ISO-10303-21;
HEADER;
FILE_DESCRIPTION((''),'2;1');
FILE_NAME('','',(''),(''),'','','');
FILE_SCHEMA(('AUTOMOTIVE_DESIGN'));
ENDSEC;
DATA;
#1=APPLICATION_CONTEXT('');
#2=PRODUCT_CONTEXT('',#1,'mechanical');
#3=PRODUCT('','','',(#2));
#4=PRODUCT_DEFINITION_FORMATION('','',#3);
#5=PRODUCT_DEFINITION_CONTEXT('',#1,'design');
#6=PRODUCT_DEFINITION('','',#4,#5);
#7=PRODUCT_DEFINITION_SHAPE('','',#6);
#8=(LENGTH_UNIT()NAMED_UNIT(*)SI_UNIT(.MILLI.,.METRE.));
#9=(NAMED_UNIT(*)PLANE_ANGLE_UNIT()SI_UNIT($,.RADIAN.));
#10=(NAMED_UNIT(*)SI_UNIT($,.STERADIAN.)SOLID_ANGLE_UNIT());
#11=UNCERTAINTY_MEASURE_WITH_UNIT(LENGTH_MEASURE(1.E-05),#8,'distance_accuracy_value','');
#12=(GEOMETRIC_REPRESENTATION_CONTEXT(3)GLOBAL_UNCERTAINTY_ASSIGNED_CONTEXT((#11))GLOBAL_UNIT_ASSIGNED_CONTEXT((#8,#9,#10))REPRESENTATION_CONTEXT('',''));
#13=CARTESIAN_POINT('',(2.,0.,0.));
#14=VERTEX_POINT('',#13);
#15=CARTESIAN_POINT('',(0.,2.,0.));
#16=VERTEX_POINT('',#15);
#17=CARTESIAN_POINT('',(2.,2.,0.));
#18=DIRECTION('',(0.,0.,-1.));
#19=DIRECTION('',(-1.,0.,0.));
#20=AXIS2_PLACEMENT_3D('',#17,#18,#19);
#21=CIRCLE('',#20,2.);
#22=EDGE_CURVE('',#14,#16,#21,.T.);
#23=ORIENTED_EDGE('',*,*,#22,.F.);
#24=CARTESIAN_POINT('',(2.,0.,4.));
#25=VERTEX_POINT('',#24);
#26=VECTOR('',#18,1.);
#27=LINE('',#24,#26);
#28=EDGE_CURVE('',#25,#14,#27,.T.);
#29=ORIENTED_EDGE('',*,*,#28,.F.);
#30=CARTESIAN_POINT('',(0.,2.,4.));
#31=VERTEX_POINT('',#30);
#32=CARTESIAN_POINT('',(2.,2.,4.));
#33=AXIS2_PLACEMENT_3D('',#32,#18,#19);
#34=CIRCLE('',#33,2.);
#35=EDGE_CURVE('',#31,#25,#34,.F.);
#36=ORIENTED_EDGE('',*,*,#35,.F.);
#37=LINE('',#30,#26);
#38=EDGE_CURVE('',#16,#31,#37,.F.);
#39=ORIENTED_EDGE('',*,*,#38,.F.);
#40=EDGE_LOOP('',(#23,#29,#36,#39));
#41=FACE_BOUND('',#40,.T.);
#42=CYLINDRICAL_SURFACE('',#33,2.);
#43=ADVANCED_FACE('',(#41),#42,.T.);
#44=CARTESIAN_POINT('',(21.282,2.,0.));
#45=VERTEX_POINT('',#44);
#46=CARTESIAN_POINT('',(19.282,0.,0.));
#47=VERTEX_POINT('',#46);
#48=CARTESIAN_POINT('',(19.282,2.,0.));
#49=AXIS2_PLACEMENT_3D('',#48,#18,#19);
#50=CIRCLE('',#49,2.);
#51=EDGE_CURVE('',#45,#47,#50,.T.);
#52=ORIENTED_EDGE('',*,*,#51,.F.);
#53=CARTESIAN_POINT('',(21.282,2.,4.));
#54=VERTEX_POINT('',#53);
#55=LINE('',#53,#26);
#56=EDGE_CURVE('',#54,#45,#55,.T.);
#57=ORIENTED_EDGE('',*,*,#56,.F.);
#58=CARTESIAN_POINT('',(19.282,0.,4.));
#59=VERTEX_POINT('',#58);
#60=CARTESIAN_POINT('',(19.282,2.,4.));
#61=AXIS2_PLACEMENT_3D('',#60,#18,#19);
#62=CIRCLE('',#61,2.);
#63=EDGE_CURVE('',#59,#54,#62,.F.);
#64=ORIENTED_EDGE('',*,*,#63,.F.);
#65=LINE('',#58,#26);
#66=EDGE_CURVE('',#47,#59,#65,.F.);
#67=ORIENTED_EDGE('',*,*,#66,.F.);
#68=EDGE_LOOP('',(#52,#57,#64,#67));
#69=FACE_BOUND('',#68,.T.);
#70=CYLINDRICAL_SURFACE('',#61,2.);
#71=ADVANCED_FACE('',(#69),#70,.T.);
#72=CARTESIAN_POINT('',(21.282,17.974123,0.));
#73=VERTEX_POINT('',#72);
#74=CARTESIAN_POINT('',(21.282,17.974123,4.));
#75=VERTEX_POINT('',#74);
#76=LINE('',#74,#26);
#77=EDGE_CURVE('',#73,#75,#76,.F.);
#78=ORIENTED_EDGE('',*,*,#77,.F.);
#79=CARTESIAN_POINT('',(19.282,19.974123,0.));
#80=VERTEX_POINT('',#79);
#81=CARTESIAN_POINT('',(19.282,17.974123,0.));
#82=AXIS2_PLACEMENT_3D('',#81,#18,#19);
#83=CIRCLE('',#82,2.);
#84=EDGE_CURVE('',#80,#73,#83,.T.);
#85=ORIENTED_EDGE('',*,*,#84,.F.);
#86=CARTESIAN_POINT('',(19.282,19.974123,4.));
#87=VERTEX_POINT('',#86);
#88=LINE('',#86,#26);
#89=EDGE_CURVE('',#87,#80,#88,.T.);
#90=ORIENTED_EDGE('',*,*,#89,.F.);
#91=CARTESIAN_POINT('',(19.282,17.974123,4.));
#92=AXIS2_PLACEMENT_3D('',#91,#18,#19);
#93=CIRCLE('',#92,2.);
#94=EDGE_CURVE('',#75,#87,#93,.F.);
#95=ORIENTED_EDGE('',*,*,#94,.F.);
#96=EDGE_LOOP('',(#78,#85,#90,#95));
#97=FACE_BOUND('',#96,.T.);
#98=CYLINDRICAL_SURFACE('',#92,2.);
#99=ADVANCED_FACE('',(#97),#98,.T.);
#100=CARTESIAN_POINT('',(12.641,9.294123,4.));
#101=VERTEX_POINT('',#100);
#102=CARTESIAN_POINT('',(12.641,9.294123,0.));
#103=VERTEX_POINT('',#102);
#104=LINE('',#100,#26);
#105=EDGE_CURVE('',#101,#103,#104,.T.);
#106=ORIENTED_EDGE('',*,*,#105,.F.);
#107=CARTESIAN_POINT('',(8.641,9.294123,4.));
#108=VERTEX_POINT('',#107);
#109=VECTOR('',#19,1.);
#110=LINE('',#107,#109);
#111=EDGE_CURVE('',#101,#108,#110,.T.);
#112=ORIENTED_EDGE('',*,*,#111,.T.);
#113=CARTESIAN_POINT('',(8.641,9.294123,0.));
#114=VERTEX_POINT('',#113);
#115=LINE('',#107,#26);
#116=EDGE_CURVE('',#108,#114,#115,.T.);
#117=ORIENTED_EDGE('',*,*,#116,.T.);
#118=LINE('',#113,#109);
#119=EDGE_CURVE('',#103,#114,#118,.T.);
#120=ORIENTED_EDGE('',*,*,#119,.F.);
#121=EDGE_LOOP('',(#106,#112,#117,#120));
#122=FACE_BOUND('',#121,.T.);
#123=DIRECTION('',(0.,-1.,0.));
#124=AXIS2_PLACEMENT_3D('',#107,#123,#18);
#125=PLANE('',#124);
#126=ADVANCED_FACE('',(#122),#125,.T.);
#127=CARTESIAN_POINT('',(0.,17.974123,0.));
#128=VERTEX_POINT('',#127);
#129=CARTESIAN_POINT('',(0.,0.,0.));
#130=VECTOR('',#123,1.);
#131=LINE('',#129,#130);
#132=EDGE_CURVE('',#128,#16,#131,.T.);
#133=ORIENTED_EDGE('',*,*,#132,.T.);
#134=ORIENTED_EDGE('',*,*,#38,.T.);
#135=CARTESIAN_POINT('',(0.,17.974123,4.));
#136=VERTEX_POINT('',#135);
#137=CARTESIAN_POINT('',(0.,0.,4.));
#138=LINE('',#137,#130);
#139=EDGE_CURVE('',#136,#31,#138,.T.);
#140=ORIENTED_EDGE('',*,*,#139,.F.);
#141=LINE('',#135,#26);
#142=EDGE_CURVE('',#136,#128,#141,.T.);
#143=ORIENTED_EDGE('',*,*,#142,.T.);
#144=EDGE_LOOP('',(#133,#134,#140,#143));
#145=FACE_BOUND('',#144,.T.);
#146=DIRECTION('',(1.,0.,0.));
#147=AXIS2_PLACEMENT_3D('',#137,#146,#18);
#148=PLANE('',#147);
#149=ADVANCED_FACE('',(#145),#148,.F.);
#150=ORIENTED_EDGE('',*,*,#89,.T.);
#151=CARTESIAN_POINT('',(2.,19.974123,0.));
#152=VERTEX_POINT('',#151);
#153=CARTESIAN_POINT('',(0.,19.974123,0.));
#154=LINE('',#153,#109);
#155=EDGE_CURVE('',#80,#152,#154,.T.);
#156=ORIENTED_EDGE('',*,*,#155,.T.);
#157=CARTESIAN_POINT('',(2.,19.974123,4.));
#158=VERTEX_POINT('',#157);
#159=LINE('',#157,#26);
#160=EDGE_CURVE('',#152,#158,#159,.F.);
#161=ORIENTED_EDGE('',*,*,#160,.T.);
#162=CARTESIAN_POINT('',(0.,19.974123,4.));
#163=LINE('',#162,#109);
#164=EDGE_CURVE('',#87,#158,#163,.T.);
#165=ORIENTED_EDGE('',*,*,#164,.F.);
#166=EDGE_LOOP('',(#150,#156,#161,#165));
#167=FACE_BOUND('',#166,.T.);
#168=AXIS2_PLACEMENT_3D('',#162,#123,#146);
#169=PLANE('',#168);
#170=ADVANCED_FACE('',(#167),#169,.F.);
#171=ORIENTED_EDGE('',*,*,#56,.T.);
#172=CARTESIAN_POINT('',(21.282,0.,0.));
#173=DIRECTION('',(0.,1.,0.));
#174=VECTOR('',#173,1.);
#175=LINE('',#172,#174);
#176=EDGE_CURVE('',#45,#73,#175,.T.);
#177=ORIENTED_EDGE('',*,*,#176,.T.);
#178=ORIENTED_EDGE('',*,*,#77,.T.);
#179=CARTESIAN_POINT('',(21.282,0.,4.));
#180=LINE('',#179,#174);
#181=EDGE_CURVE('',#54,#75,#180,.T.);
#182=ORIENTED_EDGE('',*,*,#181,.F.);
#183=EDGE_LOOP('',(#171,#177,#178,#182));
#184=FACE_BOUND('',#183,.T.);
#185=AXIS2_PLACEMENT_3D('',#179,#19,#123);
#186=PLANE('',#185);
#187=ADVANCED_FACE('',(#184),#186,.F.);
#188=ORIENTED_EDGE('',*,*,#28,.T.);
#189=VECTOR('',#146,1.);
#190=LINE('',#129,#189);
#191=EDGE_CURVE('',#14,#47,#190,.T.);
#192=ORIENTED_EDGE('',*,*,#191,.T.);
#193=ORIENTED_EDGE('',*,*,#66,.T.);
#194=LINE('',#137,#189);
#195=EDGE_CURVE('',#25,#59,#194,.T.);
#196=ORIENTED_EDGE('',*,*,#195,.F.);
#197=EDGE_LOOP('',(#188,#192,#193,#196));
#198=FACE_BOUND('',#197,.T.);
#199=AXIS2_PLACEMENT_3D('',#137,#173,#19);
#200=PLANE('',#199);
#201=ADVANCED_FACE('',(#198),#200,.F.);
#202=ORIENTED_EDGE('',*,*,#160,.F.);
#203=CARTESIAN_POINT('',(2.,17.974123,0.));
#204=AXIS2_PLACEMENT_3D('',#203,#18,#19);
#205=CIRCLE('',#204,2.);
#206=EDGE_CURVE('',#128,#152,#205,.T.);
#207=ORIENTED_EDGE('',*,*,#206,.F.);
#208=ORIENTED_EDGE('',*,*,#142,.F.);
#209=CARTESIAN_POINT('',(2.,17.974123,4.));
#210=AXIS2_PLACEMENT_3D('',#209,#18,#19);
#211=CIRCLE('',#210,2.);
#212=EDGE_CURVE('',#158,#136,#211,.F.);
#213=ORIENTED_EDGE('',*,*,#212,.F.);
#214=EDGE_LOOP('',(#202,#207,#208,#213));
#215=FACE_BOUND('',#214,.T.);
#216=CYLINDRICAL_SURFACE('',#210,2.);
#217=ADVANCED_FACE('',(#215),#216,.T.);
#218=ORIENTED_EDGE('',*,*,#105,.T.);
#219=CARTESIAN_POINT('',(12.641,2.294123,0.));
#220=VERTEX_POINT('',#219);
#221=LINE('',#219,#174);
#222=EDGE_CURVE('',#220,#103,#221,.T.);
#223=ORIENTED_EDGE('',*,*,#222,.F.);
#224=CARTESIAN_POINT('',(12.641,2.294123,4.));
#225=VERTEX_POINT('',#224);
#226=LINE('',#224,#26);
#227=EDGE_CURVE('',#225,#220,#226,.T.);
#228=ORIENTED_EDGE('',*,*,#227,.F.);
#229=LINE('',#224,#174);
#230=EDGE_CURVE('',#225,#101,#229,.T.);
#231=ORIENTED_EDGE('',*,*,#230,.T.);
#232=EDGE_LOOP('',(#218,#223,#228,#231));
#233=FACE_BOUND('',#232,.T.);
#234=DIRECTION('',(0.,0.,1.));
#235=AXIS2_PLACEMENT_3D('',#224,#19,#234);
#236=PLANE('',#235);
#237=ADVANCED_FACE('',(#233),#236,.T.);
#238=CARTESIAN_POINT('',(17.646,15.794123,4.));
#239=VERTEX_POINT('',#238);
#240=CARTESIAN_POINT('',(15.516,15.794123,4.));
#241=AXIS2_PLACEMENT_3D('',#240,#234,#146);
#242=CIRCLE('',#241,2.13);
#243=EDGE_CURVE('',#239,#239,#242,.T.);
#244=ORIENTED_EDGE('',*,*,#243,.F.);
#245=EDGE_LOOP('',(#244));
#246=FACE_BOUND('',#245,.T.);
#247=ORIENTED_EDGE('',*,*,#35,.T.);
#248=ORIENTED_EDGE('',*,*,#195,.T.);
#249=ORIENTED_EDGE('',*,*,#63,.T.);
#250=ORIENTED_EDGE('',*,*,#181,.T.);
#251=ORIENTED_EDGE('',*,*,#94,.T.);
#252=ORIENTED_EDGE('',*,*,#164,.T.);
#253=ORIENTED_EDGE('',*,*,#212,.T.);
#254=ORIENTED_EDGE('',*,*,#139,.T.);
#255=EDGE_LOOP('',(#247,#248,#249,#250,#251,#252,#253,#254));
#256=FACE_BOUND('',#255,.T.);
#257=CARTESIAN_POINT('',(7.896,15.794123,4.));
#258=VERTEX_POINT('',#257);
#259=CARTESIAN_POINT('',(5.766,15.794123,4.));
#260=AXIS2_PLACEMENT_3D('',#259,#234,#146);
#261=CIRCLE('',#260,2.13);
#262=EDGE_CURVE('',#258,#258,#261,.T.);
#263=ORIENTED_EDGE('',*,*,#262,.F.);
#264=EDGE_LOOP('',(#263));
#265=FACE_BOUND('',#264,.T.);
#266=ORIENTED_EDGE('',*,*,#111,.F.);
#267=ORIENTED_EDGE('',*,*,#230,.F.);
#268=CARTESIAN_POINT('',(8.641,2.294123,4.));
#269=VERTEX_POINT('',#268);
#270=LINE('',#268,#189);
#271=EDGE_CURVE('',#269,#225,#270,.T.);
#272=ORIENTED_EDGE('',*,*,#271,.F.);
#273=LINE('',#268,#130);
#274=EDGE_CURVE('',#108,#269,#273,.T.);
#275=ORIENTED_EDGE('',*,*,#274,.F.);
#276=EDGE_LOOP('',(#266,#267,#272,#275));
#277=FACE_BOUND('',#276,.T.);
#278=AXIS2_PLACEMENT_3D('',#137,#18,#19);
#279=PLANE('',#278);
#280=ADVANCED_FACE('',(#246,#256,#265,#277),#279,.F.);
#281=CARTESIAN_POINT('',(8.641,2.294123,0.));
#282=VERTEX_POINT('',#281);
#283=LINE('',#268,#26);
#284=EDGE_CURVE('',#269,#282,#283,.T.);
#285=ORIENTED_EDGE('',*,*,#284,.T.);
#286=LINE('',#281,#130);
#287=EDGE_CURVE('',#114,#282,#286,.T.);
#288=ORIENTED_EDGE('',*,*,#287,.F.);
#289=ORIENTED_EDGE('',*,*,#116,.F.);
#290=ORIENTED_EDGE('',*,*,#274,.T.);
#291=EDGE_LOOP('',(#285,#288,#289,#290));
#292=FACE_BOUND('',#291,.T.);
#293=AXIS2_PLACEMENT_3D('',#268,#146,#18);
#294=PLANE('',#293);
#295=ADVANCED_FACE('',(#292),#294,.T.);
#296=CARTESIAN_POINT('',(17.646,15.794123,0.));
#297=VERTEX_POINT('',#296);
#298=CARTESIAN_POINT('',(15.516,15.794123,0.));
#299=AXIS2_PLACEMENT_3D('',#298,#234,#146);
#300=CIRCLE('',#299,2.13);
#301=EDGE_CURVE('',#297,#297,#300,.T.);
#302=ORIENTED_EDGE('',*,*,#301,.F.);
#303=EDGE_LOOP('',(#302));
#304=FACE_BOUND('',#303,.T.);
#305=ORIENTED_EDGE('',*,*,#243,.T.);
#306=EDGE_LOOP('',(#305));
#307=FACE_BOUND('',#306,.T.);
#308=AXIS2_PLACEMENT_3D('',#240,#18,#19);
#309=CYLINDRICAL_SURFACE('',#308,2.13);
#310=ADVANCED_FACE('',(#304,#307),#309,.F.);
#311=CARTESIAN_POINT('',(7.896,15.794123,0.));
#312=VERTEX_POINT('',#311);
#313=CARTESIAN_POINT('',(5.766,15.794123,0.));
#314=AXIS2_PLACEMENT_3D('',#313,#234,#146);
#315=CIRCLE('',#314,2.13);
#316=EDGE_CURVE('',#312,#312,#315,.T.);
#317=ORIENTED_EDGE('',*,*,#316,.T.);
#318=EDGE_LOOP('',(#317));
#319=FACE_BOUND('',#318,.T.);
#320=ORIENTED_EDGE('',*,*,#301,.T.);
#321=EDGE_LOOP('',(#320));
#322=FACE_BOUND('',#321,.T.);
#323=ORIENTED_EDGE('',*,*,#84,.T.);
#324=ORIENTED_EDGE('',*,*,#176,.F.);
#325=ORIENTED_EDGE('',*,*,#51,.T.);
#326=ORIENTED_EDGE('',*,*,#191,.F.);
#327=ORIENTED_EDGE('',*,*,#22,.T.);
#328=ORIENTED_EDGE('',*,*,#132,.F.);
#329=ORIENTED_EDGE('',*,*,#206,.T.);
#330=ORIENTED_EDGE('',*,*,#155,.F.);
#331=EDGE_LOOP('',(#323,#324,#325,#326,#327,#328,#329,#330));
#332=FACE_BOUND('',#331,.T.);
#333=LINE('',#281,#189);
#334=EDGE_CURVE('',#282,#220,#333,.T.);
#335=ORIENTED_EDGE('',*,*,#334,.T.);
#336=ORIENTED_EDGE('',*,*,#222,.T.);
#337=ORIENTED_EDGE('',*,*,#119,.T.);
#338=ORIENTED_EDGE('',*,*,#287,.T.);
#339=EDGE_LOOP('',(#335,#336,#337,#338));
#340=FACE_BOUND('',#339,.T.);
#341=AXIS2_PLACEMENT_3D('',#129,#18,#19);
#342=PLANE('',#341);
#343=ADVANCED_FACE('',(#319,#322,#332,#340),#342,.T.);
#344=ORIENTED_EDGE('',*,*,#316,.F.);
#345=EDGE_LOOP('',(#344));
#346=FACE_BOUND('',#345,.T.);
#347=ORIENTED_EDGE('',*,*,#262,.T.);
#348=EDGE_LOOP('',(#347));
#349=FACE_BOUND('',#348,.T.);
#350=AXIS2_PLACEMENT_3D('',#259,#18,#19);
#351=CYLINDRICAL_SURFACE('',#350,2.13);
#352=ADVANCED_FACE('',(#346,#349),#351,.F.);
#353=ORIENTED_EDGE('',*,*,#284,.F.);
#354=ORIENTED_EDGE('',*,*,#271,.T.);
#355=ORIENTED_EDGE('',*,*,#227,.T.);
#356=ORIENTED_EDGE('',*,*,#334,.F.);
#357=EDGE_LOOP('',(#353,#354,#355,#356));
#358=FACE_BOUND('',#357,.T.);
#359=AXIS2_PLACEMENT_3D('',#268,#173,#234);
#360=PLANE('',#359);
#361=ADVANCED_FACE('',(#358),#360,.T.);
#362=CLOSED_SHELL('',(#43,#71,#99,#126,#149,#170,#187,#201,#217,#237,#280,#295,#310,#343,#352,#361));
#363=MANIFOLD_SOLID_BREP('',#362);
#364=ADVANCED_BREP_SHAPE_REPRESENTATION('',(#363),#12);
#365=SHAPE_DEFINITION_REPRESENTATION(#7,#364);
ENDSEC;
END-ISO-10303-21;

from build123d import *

# Parameters (mm, degrees)
ESQUISSE1_W        = 21.281999849
ESQUISSE1_H        = 19.97412287
ESQUISSE1_R        = 2.13
ESQUISSE1_W_2      = 4
ESQUISSE1_H_2      = 7
BOSS_EXTRU_1_DEPTH = 4
CONG_1_R           = 2


with BuildPart() as part:
    # Esquisse1 → Boss.-Extru.1 (new body)
    with BuildSketch(Plane.XY):
        with Locations((10.640999925, 9.987061435)):
            Rectangle(ESQUISSE1_W, ESQUISSE1_H)
        with Locations((5.765999924, 15.79412287)):
            Circle(ESQUISSE1_R, mode=Mode.SUBTRACT)
        with Locations((15.515999924, 15.79412287)):
            Circle(ESQUISSE1_R, mode=Mode.SUBTRACT)
        with Locations((10.640999924, 5.79412287)):
            Rectangle(ESQUISSE1_W_2, ESQUISSE1_H_2, mode=Mode.SUBTRACT)
    extrude(amount=BOSS_EXTRU_1_DEPTH)

    # Congé1
    cong_1_edges = [part.edges().sort_by_distance(p)[0] for p in [
        (0, 19.97412287, 2),
        (21.281999849, 19.97412287, 2),
        (21.281999849, 0, 2),
        (0, 0, 2),
    ]]
    fillet(cong_1_edges, radius=CONG_1_R)


solid = part.part
